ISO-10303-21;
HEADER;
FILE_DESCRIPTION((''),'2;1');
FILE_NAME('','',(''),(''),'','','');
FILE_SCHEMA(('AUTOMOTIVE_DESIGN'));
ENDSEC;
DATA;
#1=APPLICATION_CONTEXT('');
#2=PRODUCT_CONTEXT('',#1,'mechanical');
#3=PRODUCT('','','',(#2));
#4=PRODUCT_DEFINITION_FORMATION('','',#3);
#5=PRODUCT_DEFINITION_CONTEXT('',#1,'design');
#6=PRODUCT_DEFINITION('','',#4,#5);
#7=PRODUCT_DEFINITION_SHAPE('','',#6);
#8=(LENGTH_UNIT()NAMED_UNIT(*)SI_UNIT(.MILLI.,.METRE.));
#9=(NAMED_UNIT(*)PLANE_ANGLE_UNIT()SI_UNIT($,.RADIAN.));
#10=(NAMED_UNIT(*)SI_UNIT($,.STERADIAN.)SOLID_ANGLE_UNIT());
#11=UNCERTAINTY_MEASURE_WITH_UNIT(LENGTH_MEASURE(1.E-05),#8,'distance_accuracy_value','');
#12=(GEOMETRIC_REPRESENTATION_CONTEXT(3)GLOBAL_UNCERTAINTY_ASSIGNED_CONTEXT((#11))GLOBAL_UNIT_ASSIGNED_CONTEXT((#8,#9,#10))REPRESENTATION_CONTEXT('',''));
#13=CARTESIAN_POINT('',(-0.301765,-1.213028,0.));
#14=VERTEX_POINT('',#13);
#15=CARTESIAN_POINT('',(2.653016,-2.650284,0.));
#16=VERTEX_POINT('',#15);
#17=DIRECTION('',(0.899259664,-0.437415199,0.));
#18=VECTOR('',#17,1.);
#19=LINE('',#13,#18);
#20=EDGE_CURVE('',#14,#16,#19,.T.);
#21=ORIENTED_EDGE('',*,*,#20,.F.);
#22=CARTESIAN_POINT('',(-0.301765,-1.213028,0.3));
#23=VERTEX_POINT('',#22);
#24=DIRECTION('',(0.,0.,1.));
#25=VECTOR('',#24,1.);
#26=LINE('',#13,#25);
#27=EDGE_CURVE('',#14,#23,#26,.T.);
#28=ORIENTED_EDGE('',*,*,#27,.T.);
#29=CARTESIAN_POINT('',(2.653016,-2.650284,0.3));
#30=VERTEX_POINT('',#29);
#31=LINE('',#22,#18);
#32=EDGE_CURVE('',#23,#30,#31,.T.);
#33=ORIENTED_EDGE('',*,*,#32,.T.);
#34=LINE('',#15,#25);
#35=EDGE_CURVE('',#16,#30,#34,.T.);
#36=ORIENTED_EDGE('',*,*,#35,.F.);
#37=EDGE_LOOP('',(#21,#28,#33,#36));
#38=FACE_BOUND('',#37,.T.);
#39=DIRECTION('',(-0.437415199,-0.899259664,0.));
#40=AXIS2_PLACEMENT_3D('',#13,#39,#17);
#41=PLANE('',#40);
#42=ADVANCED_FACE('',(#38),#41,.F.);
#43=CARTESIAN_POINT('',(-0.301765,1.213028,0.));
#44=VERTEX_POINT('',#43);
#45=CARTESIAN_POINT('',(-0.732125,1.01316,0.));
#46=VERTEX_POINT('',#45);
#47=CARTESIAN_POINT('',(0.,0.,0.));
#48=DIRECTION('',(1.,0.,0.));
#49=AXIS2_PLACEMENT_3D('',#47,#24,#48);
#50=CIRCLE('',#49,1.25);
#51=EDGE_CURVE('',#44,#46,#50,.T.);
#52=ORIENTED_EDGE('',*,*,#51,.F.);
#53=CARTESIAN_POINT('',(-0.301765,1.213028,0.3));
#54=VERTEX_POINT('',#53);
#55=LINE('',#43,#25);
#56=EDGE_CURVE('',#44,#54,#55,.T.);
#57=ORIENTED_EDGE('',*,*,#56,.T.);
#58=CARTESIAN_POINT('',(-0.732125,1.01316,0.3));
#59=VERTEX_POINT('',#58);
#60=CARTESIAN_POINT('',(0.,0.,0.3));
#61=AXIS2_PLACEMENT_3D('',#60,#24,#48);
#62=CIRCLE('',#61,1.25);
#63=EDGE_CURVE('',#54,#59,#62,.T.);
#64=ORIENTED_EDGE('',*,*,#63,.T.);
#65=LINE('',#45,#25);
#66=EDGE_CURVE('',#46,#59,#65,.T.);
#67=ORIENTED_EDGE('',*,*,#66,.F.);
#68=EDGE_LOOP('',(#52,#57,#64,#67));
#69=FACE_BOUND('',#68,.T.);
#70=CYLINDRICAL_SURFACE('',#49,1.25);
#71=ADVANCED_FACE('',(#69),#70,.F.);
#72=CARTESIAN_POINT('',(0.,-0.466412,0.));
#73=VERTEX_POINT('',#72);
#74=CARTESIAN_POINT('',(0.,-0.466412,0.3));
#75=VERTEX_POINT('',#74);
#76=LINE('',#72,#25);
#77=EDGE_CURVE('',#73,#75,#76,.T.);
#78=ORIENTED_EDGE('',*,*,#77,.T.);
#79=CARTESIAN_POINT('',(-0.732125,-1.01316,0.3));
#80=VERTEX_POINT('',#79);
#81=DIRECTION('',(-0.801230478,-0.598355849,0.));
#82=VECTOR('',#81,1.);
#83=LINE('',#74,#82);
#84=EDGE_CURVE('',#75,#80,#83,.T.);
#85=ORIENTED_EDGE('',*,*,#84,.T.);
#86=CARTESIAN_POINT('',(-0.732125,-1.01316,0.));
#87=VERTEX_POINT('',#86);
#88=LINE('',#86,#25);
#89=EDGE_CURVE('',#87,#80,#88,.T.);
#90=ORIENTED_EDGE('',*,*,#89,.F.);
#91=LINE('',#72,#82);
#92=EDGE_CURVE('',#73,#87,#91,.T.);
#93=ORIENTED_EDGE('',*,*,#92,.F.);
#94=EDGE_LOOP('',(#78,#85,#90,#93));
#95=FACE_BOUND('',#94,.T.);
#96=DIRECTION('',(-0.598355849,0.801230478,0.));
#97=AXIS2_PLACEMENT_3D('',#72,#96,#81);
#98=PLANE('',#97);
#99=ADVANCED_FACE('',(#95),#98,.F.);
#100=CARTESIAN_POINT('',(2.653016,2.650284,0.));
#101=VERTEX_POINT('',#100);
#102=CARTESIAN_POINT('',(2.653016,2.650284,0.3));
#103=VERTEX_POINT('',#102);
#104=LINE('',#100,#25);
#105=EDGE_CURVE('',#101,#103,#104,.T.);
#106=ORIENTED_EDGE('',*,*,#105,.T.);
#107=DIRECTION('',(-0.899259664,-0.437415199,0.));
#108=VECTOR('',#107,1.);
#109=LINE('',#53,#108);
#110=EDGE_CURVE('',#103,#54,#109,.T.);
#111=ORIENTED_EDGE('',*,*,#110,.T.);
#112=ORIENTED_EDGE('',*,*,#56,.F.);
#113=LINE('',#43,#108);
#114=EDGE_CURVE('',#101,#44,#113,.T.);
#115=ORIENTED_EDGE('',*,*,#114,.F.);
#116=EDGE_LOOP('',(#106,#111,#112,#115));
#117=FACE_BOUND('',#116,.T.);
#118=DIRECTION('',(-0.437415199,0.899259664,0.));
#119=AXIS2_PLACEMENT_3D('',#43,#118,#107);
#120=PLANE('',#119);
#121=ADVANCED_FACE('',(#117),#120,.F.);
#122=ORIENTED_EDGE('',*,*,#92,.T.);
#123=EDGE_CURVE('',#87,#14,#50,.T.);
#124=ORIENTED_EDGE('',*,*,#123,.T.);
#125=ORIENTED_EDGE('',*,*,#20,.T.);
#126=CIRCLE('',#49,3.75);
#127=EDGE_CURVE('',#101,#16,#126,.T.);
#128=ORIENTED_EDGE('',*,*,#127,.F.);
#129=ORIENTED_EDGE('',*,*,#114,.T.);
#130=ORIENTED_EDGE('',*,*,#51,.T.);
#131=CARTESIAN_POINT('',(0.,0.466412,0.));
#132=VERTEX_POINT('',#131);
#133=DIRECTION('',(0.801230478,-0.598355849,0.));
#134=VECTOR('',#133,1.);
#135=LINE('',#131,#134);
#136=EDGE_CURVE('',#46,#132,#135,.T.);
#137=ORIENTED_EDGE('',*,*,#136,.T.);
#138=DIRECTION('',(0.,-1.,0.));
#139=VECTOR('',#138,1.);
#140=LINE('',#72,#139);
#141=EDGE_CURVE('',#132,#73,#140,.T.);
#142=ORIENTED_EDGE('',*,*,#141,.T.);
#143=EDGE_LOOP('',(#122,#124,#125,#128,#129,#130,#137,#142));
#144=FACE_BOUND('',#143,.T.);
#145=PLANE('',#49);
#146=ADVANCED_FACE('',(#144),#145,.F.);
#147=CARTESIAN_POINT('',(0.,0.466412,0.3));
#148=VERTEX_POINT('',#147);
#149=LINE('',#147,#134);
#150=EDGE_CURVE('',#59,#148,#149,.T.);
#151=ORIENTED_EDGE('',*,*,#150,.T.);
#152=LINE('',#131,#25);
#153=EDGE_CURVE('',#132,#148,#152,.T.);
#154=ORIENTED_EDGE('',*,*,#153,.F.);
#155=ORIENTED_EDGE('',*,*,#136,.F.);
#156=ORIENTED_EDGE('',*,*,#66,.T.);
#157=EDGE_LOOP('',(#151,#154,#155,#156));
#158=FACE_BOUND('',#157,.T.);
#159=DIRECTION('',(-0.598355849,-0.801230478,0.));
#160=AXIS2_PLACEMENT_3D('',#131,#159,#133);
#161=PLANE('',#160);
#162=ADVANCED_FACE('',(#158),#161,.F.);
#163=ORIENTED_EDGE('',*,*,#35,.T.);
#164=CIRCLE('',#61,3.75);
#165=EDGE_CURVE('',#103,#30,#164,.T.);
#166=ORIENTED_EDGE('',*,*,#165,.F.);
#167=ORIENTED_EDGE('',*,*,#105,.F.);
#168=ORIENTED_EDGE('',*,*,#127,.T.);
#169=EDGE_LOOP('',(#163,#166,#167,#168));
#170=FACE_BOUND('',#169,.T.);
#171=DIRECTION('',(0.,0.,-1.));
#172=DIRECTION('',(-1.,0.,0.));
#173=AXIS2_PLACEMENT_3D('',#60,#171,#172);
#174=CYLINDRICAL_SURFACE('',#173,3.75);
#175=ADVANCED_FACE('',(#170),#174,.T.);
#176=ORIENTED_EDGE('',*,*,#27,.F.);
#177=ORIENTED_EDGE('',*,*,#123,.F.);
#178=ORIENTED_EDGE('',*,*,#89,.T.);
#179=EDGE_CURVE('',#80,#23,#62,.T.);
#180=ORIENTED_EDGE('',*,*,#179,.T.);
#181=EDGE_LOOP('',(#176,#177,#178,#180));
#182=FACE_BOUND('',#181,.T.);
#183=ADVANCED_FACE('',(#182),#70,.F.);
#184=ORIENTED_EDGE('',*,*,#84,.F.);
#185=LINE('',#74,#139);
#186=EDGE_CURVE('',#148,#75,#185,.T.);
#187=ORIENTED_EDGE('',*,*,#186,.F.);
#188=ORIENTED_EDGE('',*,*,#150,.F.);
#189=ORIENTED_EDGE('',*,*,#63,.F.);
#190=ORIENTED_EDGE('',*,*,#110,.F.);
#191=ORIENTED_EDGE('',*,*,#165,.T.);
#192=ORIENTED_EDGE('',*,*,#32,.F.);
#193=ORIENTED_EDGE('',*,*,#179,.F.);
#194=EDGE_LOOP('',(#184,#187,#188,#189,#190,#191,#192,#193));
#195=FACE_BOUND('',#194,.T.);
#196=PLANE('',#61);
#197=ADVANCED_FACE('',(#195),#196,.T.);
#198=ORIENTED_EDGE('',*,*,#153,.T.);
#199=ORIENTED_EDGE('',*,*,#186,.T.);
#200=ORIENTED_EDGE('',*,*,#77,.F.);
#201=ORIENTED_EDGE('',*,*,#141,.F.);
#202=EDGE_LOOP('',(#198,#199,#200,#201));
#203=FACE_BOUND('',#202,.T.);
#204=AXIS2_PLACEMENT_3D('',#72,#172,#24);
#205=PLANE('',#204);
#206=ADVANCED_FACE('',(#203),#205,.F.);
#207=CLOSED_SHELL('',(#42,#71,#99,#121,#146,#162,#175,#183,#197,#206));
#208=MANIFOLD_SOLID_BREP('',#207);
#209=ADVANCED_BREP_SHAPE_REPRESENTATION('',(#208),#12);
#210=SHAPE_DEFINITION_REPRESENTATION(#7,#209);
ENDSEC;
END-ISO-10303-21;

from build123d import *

# Parameters (mm, degrees)
SKETCH1_R           = 3.75
BOSS_EXTRUDE1_DEPTH = 0.3
CUT_EXTRUDE2_DEPTH  = 1.3


with BuildPart() as part:
    # Sketch1 → Boss-Extrude1 (new body)
    with BuildSketch(Plane.XY):
        Circle(SKETCH1_R)
    extrude(amount=BOSS_EXTRUDE1_DEPTH)

    # Sketch2 → Cut-Extrude2 (cut, through all)
    with BuildSketch(Plane.XY.offset(0.3)):
        with BuildLine():
            Line((0, 0.466411964), (-0.73212486, 1.013160002))
            ThreePointArc((-0.73212486, 1.013160002), (-0.526515635, 1.133702468), (-0.301764614, 1.21302849))
            Line((-0.301764614, 1.21302849), (2.653016072, 2.650284083))
            ThreePointArc((2.653016072, 2.650284083), (3.75, 0), (2.653016072, -2.650284083))
            Line((2.653016072, -2.650284083), (-0.301764614, -1.21302849))
            ThreePointArc((-0.301764614, -1.21302849), (-0.526515635, -1.133702468), (-0.73212486, -1.013160002))
            Line((-0.73212486, -1.013160002), (0, -0.466411964))
            Line((0, -0.466411964), (0, 0.466411964))
        make_face()
    extrude(amount=-CUT_EXTRUDE2_DEPTH, mode=Mode.SUBTRACT)


solid = part.part
